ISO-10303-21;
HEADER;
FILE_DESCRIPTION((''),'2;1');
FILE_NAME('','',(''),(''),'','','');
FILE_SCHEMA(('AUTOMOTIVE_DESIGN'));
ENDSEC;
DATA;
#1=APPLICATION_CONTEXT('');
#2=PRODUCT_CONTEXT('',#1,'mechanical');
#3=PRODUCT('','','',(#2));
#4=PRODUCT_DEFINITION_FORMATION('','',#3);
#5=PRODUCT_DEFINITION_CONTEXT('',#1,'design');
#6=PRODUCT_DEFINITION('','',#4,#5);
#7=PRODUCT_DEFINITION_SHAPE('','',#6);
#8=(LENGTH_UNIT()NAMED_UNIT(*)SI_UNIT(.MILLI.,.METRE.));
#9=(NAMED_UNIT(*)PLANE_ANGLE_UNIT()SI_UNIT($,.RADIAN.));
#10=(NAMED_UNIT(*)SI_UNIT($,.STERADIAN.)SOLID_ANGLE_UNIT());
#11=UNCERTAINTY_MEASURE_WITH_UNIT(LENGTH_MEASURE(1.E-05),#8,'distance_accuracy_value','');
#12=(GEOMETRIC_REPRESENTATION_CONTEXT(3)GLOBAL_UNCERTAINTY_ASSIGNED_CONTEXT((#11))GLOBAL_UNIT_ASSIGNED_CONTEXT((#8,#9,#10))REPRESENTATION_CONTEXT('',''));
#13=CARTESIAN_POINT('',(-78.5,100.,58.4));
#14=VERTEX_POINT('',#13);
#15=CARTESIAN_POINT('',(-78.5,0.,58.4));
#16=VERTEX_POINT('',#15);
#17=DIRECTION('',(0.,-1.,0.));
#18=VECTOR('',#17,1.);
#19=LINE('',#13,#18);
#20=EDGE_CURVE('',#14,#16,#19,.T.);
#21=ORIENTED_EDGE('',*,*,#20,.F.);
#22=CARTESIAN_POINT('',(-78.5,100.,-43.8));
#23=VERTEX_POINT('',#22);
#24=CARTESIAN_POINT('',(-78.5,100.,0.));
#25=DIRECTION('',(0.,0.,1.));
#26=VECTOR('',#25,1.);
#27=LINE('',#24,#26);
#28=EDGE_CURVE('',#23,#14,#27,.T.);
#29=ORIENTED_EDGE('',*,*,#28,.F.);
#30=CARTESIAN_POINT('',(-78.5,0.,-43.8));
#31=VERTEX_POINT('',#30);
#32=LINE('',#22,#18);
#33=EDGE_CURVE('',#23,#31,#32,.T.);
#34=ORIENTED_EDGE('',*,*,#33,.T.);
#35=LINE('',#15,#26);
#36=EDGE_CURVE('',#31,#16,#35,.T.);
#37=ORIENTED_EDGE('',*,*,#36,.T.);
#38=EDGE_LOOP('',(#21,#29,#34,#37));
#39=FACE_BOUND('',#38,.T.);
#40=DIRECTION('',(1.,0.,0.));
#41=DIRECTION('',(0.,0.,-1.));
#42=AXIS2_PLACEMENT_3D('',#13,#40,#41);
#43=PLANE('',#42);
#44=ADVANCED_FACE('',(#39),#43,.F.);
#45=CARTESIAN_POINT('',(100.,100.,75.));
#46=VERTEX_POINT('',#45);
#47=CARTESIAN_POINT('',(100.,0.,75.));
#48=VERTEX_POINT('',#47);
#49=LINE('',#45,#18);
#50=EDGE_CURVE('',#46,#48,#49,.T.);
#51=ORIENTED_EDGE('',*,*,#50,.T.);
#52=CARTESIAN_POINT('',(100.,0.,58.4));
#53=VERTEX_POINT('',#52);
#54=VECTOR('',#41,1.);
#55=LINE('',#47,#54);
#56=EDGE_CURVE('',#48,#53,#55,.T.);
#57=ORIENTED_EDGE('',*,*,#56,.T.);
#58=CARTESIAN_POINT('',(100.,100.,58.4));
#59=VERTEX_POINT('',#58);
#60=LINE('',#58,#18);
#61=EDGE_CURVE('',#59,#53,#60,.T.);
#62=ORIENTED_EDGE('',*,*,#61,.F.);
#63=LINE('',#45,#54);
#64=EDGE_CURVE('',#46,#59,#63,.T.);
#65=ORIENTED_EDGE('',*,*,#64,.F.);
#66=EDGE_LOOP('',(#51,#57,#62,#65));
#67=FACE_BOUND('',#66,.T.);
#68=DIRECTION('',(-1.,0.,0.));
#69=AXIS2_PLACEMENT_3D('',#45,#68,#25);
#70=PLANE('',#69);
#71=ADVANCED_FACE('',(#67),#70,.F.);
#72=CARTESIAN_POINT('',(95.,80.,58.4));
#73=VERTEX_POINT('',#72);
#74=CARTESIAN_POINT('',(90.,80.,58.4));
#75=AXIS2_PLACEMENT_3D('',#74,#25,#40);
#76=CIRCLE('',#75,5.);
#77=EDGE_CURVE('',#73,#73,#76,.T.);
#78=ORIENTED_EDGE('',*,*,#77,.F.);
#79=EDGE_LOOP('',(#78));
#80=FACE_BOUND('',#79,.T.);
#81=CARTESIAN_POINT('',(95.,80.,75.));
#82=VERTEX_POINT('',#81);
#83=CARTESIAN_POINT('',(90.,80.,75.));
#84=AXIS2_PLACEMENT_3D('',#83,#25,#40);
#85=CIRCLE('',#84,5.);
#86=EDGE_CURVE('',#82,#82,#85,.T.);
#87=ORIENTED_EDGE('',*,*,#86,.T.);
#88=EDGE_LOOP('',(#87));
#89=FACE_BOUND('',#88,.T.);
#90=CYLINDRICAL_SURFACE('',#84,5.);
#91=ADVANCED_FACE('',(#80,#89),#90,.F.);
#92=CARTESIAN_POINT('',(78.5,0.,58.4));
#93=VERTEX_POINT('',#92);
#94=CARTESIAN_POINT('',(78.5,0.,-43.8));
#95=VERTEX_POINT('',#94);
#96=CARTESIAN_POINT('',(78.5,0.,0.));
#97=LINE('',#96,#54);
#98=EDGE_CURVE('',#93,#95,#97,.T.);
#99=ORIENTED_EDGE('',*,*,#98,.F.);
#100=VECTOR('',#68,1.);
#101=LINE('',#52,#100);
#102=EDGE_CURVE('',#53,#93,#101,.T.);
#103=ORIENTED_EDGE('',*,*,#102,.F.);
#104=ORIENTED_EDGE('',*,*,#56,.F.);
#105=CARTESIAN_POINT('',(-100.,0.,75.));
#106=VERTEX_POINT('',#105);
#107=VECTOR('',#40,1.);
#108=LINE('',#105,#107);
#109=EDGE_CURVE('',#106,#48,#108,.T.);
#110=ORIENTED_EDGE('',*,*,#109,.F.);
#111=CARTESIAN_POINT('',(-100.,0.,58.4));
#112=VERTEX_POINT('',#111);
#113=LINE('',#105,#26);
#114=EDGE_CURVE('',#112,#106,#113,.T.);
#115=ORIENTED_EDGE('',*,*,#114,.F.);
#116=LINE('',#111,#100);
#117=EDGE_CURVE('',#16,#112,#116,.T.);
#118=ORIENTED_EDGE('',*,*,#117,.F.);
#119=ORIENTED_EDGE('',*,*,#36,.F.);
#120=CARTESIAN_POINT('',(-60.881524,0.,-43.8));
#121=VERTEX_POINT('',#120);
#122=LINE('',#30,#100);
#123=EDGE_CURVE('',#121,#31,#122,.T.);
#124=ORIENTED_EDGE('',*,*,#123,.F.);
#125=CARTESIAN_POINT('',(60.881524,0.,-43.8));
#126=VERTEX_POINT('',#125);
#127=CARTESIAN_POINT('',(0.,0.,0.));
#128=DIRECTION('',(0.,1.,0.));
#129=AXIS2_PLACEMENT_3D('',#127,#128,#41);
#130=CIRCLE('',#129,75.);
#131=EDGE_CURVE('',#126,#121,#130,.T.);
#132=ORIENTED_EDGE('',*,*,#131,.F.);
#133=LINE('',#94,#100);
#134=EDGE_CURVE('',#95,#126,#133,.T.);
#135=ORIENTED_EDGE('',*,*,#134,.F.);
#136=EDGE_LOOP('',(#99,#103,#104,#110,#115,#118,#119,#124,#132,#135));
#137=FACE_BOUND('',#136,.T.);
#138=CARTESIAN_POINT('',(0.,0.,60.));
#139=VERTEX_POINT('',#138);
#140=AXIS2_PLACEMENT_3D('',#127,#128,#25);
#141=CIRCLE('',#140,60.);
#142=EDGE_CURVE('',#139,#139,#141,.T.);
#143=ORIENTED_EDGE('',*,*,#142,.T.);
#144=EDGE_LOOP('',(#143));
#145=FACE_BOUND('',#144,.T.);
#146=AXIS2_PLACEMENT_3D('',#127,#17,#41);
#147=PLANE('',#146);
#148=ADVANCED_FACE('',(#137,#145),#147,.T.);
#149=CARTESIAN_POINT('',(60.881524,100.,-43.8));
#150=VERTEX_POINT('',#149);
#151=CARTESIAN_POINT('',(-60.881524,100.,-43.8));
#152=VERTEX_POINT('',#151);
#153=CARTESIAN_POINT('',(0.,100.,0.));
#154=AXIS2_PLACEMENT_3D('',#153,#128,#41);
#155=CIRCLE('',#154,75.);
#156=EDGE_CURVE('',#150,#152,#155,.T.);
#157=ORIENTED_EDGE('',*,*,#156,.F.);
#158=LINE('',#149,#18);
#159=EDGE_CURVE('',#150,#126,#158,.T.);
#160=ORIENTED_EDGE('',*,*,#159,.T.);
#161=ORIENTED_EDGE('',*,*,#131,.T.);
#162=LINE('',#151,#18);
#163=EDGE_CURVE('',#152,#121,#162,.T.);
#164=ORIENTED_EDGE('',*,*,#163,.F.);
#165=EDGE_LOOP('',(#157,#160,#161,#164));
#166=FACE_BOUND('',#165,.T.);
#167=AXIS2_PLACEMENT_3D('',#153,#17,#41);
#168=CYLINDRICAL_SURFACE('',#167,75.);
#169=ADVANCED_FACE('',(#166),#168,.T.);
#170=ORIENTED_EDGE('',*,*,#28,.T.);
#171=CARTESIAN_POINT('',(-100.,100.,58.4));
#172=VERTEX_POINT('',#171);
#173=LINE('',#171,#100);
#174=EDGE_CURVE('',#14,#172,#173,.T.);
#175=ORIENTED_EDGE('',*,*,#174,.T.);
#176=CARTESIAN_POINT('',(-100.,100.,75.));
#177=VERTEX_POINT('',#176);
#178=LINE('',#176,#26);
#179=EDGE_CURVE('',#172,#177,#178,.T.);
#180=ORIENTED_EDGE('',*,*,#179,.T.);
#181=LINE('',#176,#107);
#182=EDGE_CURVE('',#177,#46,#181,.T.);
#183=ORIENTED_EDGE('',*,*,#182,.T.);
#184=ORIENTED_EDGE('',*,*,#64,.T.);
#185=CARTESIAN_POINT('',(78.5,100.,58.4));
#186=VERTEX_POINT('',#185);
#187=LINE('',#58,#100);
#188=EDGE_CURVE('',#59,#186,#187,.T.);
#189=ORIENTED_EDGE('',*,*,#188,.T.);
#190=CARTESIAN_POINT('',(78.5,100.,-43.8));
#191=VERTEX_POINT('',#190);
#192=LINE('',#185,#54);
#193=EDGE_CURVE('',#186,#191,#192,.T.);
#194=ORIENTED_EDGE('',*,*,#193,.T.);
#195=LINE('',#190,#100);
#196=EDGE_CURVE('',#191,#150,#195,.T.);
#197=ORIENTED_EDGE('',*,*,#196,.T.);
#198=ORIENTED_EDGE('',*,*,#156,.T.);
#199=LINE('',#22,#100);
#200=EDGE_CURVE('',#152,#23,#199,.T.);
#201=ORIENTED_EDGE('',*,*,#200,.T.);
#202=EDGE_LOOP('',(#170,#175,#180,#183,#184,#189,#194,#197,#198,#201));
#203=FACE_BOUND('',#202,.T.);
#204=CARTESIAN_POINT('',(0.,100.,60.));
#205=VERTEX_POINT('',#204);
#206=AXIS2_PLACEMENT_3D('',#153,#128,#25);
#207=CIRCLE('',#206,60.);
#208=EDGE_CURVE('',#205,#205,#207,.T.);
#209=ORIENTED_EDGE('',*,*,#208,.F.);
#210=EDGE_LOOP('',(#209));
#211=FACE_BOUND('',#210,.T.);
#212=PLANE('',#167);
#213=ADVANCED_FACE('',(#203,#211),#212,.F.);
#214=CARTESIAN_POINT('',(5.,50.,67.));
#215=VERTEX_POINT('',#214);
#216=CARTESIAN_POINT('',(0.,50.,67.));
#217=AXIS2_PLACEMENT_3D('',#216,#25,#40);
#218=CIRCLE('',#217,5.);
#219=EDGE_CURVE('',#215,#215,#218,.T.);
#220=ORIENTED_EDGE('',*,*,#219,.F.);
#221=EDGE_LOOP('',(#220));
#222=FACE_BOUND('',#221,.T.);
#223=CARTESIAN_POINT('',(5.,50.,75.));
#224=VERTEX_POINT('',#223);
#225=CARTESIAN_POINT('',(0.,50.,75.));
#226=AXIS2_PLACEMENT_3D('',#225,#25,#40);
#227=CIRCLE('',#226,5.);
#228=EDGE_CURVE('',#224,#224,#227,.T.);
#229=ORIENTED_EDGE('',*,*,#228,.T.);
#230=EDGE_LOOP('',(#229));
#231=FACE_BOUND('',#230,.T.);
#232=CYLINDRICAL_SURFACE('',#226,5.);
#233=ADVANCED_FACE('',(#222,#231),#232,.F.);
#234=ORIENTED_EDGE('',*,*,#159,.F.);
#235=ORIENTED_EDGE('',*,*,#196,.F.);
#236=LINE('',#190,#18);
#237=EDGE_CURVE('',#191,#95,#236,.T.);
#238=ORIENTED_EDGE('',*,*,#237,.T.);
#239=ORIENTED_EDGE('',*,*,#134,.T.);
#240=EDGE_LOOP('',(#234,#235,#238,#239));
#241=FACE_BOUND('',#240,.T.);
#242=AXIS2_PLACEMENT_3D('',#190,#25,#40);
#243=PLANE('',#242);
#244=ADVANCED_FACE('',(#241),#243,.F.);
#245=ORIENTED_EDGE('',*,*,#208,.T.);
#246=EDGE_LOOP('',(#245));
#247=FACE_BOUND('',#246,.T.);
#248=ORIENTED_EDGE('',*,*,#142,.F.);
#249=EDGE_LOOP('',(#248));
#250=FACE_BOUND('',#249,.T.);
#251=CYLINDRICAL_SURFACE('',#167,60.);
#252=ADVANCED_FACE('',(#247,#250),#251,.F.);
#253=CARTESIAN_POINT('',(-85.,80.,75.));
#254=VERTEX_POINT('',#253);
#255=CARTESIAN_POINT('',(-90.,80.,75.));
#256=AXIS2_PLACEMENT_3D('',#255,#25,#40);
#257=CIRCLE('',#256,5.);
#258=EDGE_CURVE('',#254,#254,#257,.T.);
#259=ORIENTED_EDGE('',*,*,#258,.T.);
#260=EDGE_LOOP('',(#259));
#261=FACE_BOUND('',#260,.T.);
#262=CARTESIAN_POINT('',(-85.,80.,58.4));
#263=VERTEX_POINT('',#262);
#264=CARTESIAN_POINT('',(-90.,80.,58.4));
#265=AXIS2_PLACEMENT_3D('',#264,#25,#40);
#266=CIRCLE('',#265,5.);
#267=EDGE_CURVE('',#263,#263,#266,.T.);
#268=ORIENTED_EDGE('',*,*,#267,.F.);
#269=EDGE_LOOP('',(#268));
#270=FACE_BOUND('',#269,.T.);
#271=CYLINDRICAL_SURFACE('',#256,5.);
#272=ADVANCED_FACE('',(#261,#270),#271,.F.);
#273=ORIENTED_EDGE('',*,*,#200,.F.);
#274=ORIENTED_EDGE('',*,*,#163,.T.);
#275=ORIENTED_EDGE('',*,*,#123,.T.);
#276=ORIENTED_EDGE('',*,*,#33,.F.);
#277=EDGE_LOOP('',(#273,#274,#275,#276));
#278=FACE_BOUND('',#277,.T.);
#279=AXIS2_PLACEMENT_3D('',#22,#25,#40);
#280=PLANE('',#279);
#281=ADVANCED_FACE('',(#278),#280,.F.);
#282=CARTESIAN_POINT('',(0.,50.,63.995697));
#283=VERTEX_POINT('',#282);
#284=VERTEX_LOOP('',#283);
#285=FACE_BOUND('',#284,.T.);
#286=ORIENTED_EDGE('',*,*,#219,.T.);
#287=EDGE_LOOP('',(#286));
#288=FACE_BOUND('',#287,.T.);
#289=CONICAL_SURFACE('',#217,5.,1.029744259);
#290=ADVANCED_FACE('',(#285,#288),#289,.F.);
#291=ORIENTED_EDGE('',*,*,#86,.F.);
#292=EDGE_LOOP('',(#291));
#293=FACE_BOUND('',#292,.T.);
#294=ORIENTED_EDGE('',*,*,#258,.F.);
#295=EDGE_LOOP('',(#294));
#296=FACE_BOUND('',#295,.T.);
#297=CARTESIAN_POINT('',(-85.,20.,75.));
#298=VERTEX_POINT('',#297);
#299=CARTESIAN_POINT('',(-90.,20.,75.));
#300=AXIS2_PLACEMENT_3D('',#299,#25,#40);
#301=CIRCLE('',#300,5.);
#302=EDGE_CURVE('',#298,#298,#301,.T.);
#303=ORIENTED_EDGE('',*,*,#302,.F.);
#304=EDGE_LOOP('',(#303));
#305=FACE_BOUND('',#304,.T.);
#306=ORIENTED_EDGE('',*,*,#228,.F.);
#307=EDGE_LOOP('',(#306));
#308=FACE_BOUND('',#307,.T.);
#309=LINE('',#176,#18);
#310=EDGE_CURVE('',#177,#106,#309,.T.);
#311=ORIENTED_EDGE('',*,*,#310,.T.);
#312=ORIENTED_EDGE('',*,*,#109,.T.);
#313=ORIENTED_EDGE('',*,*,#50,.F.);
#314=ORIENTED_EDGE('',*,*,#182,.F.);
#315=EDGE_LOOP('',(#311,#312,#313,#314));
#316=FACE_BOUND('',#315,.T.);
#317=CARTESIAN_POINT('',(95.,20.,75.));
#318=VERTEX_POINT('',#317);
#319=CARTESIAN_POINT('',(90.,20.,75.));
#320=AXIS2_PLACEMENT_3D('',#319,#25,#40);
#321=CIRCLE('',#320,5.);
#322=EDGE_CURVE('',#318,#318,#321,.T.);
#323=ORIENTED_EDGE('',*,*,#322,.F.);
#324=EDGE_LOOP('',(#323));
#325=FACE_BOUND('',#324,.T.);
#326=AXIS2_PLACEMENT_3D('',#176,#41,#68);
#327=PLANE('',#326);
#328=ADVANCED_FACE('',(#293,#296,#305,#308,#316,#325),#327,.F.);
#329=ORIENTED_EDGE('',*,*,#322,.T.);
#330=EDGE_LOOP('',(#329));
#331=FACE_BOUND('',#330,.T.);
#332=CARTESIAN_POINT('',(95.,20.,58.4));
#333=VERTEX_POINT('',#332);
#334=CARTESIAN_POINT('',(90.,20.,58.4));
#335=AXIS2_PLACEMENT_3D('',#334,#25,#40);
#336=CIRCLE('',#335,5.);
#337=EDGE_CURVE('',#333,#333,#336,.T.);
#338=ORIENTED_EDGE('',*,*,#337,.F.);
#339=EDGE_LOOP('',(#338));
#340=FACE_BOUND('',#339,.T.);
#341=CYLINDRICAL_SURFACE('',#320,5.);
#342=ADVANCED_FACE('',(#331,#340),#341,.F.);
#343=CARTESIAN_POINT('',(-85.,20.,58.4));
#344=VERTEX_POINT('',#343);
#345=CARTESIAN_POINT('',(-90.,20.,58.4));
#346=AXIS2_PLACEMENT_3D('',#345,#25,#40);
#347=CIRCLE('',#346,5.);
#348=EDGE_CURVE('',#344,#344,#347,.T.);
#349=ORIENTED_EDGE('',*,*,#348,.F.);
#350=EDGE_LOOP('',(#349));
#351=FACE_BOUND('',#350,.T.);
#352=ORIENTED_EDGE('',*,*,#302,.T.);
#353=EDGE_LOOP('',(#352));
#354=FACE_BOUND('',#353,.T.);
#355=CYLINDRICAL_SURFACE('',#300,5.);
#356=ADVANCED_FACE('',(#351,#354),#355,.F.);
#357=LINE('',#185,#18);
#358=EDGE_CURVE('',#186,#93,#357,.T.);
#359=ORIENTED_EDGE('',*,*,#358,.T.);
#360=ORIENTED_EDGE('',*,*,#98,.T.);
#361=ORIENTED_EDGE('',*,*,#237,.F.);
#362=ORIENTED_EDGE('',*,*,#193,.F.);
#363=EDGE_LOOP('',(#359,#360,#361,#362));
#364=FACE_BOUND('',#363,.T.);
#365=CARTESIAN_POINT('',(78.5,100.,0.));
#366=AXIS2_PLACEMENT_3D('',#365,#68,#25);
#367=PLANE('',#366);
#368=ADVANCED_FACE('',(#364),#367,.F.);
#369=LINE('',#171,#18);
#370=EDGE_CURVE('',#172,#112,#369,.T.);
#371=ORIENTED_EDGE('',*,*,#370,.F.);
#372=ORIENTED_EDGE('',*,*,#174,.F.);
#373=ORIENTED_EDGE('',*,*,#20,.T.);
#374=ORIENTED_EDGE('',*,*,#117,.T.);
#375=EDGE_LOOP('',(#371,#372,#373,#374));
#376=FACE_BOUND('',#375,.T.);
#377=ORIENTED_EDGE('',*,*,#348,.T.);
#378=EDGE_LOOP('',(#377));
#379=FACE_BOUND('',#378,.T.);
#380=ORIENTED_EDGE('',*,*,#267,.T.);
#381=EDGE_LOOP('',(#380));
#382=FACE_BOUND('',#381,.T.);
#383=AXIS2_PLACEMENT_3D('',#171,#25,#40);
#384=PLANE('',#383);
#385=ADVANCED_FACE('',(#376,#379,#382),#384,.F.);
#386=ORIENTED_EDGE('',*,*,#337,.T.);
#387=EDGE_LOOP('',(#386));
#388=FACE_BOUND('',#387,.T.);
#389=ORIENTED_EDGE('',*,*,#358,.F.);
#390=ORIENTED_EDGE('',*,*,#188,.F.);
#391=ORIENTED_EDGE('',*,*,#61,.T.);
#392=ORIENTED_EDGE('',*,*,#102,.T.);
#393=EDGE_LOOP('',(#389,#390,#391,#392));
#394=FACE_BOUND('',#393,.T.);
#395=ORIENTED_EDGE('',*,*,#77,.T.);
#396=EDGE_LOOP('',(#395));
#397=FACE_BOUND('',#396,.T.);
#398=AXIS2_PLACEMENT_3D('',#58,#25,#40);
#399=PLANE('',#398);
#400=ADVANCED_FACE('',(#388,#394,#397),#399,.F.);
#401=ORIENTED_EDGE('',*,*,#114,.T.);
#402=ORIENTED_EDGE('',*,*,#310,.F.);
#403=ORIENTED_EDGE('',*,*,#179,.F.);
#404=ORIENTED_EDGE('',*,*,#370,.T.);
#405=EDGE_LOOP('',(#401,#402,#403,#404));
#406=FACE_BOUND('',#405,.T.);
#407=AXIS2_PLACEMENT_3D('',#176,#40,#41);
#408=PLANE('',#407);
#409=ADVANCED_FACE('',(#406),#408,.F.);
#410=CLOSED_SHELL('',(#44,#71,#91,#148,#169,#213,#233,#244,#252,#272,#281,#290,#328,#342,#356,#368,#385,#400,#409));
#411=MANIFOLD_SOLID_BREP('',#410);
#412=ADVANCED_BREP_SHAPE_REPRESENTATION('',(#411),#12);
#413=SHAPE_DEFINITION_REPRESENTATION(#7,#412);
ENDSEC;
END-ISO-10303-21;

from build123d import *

# Parameters (mm, degrees)
SKETCH1_R                  = 60
BOSS_EXTRUDE1_DEPTH        = 100
M8_CLEARANCE_HOLE1_D       = 10
F_10_0MM_DOWEL_HOLE1_D     = 10
F_10_0MM_DOWEL_HOLE1_DEPTH = 8
F_10_0MM_DOWEL_HOLE1_TIP   = 3.004303095


with BuildPart() as part:
    # Sketch1 → Boss-Extrude1 (new body)
    with BuildSketch(Plane(origin=(0, 0, 0), x_dir=(1, 0, 0), z_dir=(0, 1, 0))):
        with BuildLine():
            Line((-100, -75), (100, -75))
            Line((100, -75), (100, -58.4))
            Line((100, -58.4), (78.5, -58.4))
            Line((78.5, -58.4), (78.5, 0))
            Line((78.5, 0), (78.5, 43.8))
            Line((78.5, 43.8), (60.881524291, 43.8))
            ThreePointArc((60.881524291, 43.8), (0, 75), (-60.881524291, 43.8))
            Line((-60.881524291, 43.8), (-78.5, 43.8))
            Line((-78.5, 43.8), (-78.5, 0))
            Line((-78.5, 0), (-78.5, -58.4))
            Line((-78.5, -58.4), (-100, -58.4))
            Line((-100, -58.4), (-100, -75))
        make_face()
        with Locations(Location((0, 0, 0), (0, 0, 270))):
            Circle(SKETCH1_R, mode=Mode.SUBTRACT)
    extrude(amount=BOSS_EXTRUDE1_DEPTH)

    # M8 Clearance Hole1 (through all)
    with Locations(Plane.XY.offset(75)):
        with Locations((-90, 80), (-90, 20), (90, 20), (90, 80)):
            Hole(M8_CLEARANCE_HOLE1_D / 2)

    # Ø10.0mm Dowel Hole1
    with Locations(Plane.XY.offset(75)):
        with Locations((0, 50)):
            Hole(F_10_0MM_DOWEL_HOLE1_D / 2, depth=F_10_0MM_DOWEL_HOLE1_DEPTH)
            with Locations((0, 0, -(F_10_0MM_DOWEL_HOLE1_DEPTH + F_10_0MM_DOWEL_HOLE1_TIP / 2))):  # 118° drill point
                Cone(0, F_10_0MM_DOWEL_HOLE1_D / 2, F_10_0MM_DOWEL_HOLE1_TIP, mode=Mode.SUBTRACT)


solid = part.part
